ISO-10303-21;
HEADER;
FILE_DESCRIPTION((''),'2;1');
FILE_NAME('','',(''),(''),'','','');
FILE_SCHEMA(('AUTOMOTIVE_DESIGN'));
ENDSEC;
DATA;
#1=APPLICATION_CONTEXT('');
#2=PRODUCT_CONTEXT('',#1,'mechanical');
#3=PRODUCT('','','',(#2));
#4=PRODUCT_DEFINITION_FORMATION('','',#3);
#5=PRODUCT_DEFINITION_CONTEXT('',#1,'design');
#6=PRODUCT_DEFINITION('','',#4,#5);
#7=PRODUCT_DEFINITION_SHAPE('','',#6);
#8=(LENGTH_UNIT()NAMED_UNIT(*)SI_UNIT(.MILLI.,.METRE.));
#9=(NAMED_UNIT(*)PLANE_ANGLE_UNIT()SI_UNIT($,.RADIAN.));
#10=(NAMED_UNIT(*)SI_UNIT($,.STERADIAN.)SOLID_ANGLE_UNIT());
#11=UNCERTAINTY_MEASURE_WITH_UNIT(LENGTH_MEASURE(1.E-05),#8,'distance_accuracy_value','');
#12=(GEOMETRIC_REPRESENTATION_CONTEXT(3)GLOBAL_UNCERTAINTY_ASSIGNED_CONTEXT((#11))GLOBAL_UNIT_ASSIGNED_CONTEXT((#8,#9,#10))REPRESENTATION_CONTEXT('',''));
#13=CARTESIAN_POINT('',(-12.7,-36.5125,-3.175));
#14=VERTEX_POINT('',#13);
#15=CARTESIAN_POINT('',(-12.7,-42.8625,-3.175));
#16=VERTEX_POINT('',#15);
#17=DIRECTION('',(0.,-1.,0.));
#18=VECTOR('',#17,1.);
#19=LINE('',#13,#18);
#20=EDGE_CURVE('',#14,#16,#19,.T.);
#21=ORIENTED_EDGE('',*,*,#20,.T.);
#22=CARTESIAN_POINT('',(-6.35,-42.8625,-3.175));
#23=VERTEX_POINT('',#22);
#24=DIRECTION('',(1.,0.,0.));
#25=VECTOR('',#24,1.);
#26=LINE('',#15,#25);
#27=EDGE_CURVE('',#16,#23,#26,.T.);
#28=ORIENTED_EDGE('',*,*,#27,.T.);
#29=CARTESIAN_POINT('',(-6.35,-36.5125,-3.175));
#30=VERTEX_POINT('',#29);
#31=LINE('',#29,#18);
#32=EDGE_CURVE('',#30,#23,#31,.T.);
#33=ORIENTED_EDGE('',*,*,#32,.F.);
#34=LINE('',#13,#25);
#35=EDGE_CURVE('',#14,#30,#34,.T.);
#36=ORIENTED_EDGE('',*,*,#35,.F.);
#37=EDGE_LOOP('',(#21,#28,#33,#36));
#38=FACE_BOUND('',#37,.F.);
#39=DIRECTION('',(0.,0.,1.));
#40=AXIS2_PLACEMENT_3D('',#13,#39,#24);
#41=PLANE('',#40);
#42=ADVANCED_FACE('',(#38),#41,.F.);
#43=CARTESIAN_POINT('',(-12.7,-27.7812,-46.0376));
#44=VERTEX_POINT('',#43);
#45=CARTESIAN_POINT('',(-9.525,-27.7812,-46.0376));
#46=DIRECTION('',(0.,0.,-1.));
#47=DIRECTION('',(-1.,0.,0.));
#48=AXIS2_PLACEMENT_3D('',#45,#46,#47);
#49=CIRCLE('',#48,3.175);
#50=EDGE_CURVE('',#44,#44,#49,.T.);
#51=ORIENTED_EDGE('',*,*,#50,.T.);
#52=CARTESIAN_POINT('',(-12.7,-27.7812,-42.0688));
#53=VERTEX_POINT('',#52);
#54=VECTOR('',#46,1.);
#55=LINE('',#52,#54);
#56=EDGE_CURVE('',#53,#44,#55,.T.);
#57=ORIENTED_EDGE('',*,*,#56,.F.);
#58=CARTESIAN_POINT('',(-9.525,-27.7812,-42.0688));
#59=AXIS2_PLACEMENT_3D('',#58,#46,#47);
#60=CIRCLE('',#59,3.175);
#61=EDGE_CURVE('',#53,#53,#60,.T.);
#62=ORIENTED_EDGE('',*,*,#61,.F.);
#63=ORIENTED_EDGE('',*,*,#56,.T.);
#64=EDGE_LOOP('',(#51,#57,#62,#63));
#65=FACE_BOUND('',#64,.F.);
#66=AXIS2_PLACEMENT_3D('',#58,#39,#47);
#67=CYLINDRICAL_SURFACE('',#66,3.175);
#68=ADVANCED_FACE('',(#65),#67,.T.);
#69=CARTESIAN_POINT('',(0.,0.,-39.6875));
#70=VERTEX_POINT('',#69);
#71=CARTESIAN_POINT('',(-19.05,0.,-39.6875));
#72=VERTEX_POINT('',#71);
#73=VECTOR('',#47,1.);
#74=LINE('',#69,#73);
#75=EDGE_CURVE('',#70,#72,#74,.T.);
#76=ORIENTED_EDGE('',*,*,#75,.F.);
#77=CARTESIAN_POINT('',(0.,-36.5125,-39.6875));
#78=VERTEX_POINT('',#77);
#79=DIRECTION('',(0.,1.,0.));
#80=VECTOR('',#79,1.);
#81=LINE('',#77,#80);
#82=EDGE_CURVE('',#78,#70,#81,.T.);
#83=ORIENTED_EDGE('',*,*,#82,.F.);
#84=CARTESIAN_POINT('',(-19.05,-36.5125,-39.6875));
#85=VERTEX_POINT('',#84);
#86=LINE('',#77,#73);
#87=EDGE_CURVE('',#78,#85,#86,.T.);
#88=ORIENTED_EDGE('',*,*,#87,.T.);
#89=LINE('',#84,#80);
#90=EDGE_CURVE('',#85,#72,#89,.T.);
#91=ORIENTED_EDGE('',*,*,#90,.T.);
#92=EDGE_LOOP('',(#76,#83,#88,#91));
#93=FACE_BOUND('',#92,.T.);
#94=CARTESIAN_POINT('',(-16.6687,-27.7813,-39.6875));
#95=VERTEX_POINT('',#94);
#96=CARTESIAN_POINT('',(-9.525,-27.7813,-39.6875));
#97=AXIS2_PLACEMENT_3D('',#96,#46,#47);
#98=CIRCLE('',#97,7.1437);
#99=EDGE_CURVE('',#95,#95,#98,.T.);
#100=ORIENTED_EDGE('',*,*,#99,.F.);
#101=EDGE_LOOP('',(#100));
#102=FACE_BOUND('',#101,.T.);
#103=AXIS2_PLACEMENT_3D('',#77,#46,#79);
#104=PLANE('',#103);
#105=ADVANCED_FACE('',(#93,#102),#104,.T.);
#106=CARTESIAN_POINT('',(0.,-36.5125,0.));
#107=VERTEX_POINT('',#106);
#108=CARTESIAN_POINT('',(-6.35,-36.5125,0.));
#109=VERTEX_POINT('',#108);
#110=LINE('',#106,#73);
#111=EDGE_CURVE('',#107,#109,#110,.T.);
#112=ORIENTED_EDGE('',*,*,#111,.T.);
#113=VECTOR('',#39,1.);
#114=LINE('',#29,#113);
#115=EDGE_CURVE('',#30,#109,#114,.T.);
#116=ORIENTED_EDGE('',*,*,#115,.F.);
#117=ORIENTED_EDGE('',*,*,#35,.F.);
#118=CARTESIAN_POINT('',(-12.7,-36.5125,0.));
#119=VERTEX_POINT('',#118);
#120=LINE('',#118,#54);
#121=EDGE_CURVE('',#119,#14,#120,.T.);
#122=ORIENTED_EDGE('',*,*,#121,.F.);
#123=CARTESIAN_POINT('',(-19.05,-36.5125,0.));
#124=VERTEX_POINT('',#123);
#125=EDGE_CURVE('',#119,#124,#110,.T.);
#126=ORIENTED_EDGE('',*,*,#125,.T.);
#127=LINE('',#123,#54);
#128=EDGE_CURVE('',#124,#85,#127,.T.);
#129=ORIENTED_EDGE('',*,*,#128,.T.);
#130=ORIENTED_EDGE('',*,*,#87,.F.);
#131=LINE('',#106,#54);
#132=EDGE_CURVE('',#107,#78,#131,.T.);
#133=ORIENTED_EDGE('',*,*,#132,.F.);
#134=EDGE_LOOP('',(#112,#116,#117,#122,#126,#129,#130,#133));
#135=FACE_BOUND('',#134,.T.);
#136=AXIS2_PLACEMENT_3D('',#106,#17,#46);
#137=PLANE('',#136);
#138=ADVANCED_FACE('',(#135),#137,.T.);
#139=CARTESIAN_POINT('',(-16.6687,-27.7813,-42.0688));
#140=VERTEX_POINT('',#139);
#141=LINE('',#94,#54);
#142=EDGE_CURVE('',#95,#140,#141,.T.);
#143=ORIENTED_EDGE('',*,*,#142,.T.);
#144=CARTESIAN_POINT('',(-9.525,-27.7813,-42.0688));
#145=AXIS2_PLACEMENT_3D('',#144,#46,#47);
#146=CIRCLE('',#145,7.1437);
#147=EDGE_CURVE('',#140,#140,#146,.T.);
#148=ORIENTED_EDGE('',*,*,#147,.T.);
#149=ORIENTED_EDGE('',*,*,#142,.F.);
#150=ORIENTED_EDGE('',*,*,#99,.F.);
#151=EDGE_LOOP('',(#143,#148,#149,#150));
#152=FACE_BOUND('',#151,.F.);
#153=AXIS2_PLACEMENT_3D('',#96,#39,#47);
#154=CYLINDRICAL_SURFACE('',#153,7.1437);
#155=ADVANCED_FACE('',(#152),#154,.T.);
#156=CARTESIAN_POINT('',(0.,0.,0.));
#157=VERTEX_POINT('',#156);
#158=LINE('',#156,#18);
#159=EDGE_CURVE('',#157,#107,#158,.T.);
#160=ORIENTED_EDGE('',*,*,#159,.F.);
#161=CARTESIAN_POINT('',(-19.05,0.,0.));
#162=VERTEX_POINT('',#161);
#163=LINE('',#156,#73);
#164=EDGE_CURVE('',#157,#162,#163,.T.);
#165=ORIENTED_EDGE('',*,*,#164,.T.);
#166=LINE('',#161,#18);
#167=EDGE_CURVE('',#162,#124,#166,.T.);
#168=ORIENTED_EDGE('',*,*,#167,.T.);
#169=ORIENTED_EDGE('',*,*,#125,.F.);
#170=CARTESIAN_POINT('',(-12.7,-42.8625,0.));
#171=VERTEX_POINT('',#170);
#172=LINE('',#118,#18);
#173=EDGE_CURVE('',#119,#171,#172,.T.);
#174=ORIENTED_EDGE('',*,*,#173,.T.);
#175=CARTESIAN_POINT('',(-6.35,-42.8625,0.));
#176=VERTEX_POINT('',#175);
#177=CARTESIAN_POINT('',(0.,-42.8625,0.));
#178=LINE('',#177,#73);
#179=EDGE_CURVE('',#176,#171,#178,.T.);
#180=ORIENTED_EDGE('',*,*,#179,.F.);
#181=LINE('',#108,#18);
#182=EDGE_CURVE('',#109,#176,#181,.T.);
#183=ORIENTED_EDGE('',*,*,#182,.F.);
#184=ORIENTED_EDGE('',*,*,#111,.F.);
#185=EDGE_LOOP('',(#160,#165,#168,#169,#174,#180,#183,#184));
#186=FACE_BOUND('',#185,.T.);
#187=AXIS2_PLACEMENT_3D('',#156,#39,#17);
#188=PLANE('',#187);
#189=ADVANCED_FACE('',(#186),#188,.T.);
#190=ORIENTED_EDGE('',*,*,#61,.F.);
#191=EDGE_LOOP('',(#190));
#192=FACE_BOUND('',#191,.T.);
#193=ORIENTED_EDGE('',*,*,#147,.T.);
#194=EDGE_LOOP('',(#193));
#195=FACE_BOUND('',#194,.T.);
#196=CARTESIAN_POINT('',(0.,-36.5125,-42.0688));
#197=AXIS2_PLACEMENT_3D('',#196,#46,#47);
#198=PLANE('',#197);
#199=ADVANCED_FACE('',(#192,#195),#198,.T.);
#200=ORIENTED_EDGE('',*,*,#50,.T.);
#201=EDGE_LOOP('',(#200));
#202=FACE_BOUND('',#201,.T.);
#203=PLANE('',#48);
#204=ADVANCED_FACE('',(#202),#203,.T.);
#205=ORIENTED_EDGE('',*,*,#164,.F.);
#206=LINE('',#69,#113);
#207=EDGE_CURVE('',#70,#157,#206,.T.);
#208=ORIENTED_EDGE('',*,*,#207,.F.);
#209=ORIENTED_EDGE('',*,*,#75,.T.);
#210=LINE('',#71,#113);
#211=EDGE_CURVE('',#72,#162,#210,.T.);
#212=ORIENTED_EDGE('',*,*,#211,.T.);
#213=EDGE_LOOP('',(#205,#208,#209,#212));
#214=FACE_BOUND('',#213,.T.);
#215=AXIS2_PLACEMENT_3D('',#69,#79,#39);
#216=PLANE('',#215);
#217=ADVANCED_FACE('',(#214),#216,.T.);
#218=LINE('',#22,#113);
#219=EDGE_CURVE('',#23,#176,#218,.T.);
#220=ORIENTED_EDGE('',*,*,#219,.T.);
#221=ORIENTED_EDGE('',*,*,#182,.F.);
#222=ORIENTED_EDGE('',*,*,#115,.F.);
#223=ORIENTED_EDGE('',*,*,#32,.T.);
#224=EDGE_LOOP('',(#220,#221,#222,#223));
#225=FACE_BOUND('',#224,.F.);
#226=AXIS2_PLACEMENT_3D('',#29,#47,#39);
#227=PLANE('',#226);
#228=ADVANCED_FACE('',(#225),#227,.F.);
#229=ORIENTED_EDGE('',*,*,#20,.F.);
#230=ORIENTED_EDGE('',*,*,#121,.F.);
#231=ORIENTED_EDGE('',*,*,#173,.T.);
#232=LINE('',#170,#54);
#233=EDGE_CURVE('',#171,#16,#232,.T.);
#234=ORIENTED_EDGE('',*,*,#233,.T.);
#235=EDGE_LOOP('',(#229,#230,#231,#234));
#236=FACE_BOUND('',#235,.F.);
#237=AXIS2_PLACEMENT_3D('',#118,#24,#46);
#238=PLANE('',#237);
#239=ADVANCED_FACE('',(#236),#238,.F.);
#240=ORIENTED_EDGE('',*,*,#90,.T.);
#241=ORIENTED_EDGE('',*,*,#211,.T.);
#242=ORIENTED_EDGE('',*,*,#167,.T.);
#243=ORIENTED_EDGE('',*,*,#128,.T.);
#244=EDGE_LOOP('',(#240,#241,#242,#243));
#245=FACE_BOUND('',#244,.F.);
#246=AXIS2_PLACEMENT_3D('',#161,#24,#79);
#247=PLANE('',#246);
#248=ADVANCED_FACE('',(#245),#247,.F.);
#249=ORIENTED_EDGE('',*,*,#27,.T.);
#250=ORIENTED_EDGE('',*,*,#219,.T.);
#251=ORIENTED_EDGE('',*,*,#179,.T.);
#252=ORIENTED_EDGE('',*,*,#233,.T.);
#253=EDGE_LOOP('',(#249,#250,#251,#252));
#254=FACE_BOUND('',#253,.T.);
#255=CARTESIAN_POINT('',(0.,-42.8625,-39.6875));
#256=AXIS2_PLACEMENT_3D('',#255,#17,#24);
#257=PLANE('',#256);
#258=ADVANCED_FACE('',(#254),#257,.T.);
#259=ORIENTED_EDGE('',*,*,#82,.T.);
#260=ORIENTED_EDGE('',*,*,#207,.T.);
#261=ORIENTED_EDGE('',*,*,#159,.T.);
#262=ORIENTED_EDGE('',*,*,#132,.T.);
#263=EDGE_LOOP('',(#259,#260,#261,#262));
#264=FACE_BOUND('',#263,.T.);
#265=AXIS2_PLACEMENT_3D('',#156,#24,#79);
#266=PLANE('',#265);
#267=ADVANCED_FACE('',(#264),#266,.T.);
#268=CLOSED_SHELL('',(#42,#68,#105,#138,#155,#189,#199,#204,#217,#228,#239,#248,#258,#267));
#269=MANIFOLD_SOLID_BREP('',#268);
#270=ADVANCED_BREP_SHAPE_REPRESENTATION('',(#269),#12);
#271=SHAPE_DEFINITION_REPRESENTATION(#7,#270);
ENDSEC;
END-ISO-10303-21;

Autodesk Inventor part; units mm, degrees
ref_plane "YZ Plane" through (0, 0, 0) normal (1, 0, 0) x (0, 1, 0)
ref_plane "XZ Plane" through (0, 0, 0) normal (0, 1, 0) x (-1, 0, 0)
ref_plane "XY Plane" through (0, 0, 0) normal (0, 0, 1) x (1, 0, 0)
sketch "Sketch1" plane through (0, 0, 0) normal (1, 0, 0) x (0, 1, 0)
  line L0 (0, 0) -> (-36.5125, 0)
  line L1 (-36.5125, 0) -> (-36.5125, -39.6875)
  line L2 (-36.5125, -39.6875) -> (0, -39.6875)
  line L3 (0, -39.6875) -> (0, 0)
  dimension "d0" = 36.5125
  dimension "d1" = 39.6875
extrude "Extrusion1" add sketch "Sketch1" against normal blind 19.05
sketch "Sketch2" plane through (0, -36.5125, -39.6875) normal (0, 0, -1) x (-1, 0, 0)
  line L0 (0, 0) -> (0, 36.5125) construction
  line L1 (0, 0) -> (9.525, 0) construction
  line L2 (0, 0) -> (19.05, 0) construction
  line L3 (0, 0) -> (9.525, 0) construction
  line L4 (9.525, 0) -> (9.525, 1.5875) construction
  line L5 (9.525, 1.5875) -> (9.525, 8.7312) construction
  circle A0 centre (9.525, 8.7312) radius 7.1437
  dimension "d4" = 9.525
  dimension "d5" = 0
  dimension "d6" = 1.5875
  dimension "d7" = 7.1437
extrude "Extrusion2" add sketch "Sketch2" along normal blind 2.3813
sketch "Sketch3" plane through (-9.525, -27.7812, -42.0688) normal (0, 0, -1) x (-1, 0, 0)
  circle A0 centre (0, 0) radius 3.175
  point P0 (-9.525, 27.7812)
  dimension "d10" = 6.35
extrude "Extrusion3" add sketch "Sketch3" along normal blind 3.9688
sketch "Sketch4" plane through (0, -36.5125, -39.6875) normal (0, -1, 0) x (1, 0, 0)
  line L0 (0, 39.6875) -> (-6.35, 39.6875) construction
  line L1 (0, 39.6875) -> (-19.05, 39.6875) projected
  line L2 (-19.05, 39.6875) -> (-12.7, 39.6875) construction
  line L3 (-6.35, 39.6875) -> (-12.7, 39.6875) construction
  line L4 (-12.7, 39.6875) -> (-12.7, 36.5125)
  line L5 (-12.7, 36.5125) -> (-6.35, 36.5125)
  line L6 (-6.35, 36.5125) -> (-6.35, 39.6875)
  dimension "d13" = 6.35
  dimension "d14" = 6.35
  dimension "d15" = 3.175
extrude "Extrusion4" add sketch "Sketch4" along normal blind 6.35
properties part number "Reload_Motor"
